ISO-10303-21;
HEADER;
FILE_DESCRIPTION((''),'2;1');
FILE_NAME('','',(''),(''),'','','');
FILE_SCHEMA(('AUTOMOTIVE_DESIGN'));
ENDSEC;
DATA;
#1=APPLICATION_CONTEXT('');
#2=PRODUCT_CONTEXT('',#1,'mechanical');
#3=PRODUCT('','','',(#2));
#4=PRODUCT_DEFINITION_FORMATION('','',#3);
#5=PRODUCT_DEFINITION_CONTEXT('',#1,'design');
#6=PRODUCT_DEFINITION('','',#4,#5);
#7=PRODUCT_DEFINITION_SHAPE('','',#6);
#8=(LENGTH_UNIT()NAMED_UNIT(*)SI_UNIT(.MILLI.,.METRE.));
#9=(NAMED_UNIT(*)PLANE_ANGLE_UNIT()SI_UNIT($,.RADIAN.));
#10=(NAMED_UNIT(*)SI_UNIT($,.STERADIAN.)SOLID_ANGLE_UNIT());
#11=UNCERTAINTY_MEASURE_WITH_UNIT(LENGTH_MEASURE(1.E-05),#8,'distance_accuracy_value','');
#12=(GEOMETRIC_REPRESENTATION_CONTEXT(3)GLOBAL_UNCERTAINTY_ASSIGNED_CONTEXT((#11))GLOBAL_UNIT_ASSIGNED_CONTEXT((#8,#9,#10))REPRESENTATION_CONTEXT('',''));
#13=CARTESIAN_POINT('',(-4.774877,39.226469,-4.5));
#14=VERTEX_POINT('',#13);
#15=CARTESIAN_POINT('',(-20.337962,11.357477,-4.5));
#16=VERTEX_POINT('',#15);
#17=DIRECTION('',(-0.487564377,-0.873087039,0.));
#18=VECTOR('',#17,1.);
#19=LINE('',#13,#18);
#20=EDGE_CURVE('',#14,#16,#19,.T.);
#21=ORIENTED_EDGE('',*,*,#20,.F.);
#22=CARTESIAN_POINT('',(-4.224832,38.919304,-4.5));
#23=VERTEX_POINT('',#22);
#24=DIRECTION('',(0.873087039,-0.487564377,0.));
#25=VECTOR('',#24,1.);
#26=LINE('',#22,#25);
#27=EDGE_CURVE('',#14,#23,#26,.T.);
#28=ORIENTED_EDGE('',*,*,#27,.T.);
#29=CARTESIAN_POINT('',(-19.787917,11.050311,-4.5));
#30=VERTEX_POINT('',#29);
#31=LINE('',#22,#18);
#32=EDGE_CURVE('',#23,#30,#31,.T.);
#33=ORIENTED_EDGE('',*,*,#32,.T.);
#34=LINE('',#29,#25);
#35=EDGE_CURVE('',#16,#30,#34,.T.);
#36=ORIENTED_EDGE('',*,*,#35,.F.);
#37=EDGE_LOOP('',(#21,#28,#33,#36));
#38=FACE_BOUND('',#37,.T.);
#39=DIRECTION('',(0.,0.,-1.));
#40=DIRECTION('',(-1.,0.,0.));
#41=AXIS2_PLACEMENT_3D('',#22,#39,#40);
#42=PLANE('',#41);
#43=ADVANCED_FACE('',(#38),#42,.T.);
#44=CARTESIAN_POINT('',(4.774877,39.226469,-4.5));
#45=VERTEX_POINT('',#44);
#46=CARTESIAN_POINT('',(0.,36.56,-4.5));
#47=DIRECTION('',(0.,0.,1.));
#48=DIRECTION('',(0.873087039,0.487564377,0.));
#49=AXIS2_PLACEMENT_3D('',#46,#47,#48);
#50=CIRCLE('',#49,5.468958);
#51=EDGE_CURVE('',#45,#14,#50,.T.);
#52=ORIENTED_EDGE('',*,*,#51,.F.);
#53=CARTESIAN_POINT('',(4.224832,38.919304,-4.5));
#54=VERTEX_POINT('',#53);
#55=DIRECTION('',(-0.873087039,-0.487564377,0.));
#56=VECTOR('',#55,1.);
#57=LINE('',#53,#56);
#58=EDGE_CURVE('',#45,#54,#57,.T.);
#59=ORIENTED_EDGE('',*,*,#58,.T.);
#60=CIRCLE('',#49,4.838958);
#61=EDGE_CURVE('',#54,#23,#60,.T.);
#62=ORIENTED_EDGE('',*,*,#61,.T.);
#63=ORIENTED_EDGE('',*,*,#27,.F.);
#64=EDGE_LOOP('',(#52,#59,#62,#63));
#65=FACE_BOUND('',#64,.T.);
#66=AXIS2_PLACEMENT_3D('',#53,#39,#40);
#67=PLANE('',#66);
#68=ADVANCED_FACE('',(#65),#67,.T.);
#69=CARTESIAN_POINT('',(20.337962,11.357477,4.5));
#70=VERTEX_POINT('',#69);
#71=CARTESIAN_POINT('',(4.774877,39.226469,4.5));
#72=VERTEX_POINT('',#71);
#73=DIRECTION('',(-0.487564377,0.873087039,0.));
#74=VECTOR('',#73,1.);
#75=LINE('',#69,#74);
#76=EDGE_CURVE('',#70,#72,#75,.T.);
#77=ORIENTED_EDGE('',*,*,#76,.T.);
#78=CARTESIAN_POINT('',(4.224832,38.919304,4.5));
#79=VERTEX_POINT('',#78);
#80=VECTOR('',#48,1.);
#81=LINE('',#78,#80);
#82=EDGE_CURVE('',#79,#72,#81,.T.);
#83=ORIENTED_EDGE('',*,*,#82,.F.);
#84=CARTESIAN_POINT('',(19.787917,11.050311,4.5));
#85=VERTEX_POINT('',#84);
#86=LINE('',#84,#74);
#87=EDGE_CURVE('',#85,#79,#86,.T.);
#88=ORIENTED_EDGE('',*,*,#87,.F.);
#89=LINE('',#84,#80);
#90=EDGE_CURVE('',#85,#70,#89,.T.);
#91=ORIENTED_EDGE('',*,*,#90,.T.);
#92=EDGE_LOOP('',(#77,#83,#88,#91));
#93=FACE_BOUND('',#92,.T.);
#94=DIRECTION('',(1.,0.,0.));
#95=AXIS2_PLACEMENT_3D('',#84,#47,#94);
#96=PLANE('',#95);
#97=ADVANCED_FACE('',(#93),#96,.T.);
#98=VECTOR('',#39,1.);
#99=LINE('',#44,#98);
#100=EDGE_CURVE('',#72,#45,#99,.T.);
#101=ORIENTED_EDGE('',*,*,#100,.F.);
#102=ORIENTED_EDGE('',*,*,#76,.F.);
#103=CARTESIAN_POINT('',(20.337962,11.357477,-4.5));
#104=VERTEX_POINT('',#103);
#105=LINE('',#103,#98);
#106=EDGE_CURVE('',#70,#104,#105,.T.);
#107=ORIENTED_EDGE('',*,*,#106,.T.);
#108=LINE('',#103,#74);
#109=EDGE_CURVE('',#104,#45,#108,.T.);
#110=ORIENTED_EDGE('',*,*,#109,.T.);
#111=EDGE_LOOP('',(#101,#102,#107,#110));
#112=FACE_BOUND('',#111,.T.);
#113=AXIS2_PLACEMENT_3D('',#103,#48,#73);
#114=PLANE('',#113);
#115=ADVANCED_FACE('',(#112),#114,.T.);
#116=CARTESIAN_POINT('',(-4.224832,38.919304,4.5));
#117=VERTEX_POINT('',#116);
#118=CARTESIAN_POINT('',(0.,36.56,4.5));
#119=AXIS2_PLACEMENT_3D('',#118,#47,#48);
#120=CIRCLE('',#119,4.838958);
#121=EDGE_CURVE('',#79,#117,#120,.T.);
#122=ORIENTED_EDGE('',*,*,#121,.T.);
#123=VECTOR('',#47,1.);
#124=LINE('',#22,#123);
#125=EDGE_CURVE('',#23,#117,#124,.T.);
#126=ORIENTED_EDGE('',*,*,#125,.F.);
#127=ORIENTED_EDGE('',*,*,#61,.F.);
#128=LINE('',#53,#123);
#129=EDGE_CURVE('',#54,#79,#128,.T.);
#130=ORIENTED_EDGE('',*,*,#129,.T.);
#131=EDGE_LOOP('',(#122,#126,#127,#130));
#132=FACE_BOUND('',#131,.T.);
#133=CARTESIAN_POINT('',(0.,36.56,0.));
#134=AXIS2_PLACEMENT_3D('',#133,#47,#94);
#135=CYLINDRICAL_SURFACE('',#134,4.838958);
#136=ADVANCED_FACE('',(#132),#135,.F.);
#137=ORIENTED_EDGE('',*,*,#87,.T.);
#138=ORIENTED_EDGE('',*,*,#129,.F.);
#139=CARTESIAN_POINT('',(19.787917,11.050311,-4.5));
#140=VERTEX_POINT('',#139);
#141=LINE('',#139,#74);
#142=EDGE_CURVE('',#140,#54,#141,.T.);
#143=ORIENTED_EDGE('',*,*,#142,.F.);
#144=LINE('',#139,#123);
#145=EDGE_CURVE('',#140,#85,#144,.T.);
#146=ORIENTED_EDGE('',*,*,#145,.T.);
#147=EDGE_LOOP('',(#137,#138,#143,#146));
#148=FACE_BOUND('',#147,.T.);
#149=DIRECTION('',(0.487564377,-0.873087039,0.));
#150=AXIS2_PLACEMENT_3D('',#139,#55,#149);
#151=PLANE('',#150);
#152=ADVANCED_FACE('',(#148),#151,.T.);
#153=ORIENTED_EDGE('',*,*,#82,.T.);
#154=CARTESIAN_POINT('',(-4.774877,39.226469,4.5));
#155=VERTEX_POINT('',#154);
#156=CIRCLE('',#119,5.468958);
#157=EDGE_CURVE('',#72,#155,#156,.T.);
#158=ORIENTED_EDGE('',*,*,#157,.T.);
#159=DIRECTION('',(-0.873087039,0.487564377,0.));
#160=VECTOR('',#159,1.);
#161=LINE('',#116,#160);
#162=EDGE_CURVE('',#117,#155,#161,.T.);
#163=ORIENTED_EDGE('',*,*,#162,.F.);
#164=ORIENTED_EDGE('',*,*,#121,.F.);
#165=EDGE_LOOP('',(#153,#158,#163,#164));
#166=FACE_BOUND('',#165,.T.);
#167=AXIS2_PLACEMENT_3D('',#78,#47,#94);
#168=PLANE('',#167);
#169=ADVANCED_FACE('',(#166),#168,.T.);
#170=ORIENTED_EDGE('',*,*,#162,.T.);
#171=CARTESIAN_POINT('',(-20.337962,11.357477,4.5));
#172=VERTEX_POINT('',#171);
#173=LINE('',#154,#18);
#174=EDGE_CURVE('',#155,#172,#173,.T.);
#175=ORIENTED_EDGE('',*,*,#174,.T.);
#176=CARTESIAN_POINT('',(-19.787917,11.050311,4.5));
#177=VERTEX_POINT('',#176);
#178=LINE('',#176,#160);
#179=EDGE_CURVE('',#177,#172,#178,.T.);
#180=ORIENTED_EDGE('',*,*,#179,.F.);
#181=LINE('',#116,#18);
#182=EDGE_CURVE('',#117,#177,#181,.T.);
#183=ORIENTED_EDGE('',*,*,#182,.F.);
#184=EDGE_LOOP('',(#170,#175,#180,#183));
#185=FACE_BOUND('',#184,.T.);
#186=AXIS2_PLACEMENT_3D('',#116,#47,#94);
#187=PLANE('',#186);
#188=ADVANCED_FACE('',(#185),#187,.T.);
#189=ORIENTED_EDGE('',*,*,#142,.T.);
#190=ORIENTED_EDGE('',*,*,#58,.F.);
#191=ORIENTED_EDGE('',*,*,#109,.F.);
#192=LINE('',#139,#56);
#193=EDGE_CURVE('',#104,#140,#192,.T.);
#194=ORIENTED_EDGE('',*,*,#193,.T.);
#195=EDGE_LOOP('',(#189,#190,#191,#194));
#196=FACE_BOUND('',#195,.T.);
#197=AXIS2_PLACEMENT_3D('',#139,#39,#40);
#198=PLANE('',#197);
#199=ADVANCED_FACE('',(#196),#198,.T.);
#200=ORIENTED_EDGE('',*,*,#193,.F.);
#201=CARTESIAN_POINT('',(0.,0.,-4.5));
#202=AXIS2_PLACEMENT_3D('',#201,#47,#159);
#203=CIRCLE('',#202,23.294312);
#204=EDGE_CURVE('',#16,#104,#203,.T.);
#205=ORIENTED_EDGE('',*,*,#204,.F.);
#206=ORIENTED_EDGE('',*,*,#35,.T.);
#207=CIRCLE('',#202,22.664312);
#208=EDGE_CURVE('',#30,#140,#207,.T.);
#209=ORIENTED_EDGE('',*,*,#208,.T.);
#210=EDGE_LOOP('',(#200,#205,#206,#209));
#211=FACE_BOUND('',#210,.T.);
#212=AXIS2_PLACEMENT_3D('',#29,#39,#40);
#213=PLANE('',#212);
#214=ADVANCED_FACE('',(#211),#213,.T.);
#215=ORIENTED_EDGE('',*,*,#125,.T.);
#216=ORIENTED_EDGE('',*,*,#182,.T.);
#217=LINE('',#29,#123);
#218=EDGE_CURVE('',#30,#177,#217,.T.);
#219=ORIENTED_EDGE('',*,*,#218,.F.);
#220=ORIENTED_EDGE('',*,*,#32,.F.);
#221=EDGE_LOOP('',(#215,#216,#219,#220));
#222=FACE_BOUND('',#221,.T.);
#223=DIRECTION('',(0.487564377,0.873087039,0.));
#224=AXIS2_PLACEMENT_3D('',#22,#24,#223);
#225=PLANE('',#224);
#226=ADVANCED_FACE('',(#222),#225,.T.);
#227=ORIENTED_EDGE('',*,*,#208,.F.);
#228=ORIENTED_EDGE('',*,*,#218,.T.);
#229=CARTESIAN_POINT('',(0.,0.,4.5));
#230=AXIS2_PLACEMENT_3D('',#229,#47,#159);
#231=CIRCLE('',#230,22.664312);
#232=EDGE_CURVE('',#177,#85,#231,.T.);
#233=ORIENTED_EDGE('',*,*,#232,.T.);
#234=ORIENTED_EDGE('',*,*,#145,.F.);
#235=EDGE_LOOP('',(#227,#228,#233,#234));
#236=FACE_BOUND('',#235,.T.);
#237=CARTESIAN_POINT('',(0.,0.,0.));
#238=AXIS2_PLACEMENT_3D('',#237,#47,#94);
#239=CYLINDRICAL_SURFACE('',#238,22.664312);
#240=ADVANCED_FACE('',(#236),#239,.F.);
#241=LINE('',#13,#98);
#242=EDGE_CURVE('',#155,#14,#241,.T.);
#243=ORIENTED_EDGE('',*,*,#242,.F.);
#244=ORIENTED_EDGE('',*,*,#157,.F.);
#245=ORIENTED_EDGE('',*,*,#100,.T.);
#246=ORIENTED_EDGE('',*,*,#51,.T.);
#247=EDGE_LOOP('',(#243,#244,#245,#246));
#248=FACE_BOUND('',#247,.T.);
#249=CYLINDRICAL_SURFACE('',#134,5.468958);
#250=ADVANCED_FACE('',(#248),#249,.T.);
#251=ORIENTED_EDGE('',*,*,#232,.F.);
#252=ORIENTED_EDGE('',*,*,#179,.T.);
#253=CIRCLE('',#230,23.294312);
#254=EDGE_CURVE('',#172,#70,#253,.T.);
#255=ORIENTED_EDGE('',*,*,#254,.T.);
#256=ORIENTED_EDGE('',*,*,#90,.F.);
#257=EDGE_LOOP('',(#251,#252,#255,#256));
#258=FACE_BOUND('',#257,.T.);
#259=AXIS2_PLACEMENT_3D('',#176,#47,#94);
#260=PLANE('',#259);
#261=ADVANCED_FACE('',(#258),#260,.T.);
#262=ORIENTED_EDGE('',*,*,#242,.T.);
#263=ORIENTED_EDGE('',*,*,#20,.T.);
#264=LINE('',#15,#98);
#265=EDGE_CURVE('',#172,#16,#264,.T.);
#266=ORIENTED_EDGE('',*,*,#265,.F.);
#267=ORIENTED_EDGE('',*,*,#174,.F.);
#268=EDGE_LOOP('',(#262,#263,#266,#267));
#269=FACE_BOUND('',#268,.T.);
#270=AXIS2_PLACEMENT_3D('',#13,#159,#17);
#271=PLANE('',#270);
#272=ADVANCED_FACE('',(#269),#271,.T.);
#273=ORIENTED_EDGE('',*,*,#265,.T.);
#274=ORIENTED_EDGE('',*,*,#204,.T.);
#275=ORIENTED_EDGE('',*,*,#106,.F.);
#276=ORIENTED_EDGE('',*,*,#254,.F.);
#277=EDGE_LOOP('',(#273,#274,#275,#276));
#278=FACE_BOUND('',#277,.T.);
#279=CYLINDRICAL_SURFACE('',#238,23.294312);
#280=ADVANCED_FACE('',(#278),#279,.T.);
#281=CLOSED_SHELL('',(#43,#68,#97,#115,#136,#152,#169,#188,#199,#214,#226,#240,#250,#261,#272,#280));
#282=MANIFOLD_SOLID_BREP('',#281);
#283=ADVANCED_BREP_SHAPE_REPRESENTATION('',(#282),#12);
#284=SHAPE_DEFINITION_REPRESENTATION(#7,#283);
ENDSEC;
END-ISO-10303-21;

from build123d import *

# Parameters (mm, degrees)
SKETCH2_W = 9
SKETCH2_H = 0.63


with BuildPart() as part:
    # Sweep1: sweep along a path in Sketch1
    with BuildLine(Plane.XY) as sweep1_path:
        Line((-4.446595778, 39.043144983), (-20.009681003, 11.174152424))
        ThreePointArc((-20.009681003, 11.174152424), (0, -22.91831181), (20.009681003, 11.174152424))
        Line((20.009681003, 11.174152424), (4.446595778, 39.043144983))
        ThreePointArc((4.446595778, 39.043144983), (0, 41.65295818), (-4.446595778, 39.043144983))
    # Sketch2 → Sweep1 (sweep)
    with BuildSketch(Plane(origin=(0, 0, 0), x_dir=(0, 0, -1), z_dir=(-0.48756437718818374, 0.8730870392447128, 0))):
        with Locations((0, -22.97931181)):
            Rectangle(SKETCH2_W, SKETCH2_H)
    sweep(path=sweep1_path.line)


solid = part.part
